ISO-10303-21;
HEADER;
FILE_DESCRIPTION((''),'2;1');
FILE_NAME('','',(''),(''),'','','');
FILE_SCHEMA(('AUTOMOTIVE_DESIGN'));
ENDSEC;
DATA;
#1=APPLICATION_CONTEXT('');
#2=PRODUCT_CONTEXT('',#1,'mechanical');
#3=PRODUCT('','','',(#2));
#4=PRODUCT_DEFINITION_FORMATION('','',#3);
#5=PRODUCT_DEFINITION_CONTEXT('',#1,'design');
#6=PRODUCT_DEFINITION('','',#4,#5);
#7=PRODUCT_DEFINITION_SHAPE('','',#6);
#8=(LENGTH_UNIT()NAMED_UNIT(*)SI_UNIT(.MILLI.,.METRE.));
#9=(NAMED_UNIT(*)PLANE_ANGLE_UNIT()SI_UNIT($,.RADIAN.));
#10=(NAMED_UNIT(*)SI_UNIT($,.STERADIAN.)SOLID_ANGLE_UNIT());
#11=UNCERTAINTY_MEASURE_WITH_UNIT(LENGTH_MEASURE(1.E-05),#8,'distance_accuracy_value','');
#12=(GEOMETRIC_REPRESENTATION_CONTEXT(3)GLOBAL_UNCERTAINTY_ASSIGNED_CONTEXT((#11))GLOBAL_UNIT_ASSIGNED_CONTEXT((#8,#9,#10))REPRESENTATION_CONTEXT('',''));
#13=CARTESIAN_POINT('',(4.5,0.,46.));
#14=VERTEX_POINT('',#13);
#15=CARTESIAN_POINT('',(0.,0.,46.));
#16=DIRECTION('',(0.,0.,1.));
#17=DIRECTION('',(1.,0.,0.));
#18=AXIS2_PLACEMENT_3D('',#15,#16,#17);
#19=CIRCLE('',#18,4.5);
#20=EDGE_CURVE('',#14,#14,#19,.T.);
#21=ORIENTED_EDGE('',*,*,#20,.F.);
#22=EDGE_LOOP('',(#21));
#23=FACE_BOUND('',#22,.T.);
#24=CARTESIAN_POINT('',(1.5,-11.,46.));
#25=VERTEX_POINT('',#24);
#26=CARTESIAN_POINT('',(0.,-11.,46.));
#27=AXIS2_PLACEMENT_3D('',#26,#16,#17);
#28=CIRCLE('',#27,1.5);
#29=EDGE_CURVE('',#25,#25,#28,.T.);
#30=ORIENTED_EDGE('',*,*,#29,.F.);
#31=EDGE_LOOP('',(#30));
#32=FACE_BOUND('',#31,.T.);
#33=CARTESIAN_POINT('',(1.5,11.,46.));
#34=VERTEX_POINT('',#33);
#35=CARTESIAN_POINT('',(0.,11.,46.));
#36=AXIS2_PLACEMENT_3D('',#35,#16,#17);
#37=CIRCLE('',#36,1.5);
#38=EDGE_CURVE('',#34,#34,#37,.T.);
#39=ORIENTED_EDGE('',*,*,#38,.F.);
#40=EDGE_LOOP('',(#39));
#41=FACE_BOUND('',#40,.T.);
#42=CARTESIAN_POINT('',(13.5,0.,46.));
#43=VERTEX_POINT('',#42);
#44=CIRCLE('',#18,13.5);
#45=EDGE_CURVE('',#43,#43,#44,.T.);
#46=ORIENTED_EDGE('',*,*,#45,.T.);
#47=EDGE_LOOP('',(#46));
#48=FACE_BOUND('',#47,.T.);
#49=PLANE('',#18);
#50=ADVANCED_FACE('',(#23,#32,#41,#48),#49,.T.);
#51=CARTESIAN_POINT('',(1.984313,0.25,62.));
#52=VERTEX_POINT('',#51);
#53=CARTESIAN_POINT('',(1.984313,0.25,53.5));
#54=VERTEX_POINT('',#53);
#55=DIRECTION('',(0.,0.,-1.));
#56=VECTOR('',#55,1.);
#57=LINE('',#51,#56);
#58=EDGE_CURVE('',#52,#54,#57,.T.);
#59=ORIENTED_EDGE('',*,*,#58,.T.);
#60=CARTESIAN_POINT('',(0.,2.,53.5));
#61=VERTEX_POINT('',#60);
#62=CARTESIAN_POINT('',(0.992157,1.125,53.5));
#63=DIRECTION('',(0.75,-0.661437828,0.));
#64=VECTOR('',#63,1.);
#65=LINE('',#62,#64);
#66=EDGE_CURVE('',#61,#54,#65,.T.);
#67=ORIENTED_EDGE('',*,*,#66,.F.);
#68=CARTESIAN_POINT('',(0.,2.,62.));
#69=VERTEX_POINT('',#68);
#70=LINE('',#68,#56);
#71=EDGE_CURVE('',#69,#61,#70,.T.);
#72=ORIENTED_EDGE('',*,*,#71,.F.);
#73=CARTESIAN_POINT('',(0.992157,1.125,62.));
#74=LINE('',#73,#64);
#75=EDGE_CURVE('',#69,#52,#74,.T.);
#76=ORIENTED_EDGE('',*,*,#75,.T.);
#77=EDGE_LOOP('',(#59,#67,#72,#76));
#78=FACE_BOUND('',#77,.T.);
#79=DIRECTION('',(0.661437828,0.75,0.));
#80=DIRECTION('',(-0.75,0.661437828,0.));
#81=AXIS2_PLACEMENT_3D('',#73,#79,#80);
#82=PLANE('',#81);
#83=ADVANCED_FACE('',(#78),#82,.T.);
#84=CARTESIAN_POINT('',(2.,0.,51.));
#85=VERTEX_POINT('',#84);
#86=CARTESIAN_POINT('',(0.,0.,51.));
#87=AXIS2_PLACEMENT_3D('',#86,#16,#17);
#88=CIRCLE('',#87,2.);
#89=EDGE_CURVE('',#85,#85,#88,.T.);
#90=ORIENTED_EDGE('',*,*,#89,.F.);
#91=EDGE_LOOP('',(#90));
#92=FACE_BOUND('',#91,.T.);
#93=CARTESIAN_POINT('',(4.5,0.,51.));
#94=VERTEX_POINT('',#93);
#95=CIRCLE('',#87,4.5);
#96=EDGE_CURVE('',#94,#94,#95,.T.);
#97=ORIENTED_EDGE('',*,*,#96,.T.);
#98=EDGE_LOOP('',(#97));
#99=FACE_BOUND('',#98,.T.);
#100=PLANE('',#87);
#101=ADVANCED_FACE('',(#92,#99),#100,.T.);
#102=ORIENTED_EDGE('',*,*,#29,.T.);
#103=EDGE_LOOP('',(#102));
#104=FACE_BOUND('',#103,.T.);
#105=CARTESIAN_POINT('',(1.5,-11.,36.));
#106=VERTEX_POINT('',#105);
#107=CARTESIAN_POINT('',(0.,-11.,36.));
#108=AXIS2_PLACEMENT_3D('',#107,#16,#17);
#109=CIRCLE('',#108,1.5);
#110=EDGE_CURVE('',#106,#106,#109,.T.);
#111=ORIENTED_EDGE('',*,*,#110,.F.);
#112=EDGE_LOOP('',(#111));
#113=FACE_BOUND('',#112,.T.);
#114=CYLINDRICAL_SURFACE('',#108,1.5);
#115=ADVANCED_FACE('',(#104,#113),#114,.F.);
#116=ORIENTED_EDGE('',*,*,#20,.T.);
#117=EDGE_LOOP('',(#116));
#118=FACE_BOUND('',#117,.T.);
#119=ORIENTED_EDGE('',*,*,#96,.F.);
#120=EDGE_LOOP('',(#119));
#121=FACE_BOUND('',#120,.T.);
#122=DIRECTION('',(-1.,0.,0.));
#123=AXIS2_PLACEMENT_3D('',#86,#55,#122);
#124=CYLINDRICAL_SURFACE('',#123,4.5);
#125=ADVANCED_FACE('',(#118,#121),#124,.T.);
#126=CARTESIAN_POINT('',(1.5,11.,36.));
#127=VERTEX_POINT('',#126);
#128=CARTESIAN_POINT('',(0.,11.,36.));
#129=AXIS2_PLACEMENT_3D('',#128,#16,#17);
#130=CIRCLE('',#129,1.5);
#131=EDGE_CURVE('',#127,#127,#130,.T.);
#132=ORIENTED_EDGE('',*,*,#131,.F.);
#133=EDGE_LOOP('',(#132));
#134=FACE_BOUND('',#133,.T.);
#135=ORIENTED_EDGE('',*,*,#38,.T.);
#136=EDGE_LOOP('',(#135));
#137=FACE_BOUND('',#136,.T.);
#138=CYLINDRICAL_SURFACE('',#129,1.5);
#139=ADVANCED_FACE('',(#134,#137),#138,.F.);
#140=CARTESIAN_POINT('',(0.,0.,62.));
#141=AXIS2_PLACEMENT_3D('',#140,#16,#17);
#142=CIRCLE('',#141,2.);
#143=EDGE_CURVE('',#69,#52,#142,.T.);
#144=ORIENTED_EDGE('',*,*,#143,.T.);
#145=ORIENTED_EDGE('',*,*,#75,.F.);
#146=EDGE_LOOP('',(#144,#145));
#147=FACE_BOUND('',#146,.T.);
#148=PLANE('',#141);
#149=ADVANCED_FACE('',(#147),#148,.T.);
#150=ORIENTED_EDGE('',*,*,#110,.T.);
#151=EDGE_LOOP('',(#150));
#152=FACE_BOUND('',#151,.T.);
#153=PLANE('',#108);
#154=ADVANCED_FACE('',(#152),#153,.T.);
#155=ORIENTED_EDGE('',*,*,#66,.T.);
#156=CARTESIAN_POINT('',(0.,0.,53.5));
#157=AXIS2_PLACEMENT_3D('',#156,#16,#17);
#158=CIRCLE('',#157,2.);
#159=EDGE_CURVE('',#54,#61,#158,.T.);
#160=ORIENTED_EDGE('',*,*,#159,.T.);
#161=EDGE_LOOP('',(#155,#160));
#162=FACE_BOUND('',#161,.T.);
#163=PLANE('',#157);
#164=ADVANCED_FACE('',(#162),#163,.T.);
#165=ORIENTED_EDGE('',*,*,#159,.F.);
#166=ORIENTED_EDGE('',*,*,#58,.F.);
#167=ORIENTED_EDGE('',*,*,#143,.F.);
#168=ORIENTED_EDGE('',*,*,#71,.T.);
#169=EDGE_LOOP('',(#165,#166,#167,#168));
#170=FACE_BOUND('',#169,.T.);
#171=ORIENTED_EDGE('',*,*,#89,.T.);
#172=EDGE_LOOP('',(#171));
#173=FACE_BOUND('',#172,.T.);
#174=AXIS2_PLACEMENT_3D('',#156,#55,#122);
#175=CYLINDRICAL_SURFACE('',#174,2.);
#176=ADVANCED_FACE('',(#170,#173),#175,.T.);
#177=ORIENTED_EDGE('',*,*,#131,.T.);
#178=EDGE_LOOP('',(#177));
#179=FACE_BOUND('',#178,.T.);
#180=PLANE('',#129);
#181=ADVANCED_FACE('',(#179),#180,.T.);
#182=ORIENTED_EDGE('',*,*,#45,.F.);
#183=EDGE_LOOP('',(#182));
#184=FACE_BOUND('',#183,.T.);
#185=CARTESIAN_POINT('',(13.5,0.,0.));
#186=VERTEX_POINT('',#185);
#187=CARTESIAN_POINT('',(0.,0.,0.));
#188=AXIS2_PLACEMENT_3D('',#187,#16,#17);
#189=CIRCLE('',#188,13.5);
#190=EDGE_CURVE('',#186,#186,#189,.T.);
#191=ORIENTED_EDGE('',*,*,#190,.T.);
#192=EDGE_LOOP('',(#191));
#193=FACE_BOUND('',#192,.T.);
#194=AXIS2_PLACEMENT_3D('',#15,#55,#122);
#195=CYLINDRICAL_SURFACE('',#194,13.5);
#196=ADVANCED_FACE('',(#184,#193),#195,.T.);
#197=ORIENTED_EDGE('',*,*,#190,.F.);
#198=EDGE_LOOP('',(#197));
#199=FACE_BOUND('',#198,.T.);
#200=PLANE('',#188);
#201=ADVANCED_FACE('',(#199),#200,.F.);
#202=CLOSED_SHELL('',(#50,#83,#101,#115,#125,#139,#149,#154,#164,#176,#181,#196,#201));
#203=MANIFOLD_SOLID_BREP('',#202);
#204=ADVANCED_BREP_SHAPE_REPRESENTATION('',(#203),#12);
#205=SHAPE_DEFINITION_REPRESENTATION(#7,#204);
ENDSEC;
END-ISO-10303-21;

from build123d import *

# Parameters (mm, degrees)
SCHIZZO1_R                   = 13.5
ESTRUSIONE_ESTRUSIONE1_DEPTH = 46
SCHIZZO2_R                   = 4.5
ESTRUSIONE_ESTRUSIONE2_DEPTH = 5
SCHIZZO4_R                   = 2
ESTRUSIONE_ESTRUSIONE3_DEPTH = 2.5
ESTRUSIONE_ESTRUSIONE4_DEPTH = 8.5
SCHIZZO6_R                   = 1.5
TAGLIO_ESTRUSIONE1_DEPTH     = 10


with BuildPart() as part:
    # Schizzo1 → Estrusione-Estrusione1 (new body)
    with BuildSketch(Plane.XY):
        Circle(SCHIZZO1_R)
    extrude(amount=ESTRUSIONE_ESTRUSIONE1_DEPTH)

    # Schizzo2 → Estrusione-Estrusione2 (add)
    with BuildSketch(Plane.XY.offset(46)):
        Circle(SCHIZZO2_R)
    extrude(amount=ESTRUSIONE_ESTRUSIONE2_DEPTH)

    # Schizzo4 → Estrusione-Estrusione3 (add)
    with BuildSketch(Plane.XY.offset(51)):
        Circle(SCHIZZO4_R)
    extrude(amount=ESTRUSIONE_ESTRUSIONE3_DEPTH)

    # Schizzo5 → Estrusione-Estrusione4 (add)
    with BuildSketch(Plane.XY.offset(53.5)):
        with BuildLine():
            Line((1.984313483, 0.25), (0, 2))
            ThreePointArc((0, 2), (-1.414213562, -1.414213562), (2, 0))
            ThreePointArc((2, 0), (1.996074518, 0.125245825), (1.984313483, 0.25))
        make_face()
    extrude(amount=ESTRUSIONE_ESTRUSIONE4_DEPTH)

    # Schizzo6 → Taglio-Estrusione1 (cut)
    with BuildSketch(Plane.XY.offset(46)):
        with Locations((0, 11)):
            Circle(SCHIZZO6_R)
        with Locations((0, -11)):
            Circle(SCHIZZO6_R)
    extrude(amount=-TAGLIO_ESTRUSIONE1_DEPTH, mode=Mode.SUBTRACT)


solid = part.part
